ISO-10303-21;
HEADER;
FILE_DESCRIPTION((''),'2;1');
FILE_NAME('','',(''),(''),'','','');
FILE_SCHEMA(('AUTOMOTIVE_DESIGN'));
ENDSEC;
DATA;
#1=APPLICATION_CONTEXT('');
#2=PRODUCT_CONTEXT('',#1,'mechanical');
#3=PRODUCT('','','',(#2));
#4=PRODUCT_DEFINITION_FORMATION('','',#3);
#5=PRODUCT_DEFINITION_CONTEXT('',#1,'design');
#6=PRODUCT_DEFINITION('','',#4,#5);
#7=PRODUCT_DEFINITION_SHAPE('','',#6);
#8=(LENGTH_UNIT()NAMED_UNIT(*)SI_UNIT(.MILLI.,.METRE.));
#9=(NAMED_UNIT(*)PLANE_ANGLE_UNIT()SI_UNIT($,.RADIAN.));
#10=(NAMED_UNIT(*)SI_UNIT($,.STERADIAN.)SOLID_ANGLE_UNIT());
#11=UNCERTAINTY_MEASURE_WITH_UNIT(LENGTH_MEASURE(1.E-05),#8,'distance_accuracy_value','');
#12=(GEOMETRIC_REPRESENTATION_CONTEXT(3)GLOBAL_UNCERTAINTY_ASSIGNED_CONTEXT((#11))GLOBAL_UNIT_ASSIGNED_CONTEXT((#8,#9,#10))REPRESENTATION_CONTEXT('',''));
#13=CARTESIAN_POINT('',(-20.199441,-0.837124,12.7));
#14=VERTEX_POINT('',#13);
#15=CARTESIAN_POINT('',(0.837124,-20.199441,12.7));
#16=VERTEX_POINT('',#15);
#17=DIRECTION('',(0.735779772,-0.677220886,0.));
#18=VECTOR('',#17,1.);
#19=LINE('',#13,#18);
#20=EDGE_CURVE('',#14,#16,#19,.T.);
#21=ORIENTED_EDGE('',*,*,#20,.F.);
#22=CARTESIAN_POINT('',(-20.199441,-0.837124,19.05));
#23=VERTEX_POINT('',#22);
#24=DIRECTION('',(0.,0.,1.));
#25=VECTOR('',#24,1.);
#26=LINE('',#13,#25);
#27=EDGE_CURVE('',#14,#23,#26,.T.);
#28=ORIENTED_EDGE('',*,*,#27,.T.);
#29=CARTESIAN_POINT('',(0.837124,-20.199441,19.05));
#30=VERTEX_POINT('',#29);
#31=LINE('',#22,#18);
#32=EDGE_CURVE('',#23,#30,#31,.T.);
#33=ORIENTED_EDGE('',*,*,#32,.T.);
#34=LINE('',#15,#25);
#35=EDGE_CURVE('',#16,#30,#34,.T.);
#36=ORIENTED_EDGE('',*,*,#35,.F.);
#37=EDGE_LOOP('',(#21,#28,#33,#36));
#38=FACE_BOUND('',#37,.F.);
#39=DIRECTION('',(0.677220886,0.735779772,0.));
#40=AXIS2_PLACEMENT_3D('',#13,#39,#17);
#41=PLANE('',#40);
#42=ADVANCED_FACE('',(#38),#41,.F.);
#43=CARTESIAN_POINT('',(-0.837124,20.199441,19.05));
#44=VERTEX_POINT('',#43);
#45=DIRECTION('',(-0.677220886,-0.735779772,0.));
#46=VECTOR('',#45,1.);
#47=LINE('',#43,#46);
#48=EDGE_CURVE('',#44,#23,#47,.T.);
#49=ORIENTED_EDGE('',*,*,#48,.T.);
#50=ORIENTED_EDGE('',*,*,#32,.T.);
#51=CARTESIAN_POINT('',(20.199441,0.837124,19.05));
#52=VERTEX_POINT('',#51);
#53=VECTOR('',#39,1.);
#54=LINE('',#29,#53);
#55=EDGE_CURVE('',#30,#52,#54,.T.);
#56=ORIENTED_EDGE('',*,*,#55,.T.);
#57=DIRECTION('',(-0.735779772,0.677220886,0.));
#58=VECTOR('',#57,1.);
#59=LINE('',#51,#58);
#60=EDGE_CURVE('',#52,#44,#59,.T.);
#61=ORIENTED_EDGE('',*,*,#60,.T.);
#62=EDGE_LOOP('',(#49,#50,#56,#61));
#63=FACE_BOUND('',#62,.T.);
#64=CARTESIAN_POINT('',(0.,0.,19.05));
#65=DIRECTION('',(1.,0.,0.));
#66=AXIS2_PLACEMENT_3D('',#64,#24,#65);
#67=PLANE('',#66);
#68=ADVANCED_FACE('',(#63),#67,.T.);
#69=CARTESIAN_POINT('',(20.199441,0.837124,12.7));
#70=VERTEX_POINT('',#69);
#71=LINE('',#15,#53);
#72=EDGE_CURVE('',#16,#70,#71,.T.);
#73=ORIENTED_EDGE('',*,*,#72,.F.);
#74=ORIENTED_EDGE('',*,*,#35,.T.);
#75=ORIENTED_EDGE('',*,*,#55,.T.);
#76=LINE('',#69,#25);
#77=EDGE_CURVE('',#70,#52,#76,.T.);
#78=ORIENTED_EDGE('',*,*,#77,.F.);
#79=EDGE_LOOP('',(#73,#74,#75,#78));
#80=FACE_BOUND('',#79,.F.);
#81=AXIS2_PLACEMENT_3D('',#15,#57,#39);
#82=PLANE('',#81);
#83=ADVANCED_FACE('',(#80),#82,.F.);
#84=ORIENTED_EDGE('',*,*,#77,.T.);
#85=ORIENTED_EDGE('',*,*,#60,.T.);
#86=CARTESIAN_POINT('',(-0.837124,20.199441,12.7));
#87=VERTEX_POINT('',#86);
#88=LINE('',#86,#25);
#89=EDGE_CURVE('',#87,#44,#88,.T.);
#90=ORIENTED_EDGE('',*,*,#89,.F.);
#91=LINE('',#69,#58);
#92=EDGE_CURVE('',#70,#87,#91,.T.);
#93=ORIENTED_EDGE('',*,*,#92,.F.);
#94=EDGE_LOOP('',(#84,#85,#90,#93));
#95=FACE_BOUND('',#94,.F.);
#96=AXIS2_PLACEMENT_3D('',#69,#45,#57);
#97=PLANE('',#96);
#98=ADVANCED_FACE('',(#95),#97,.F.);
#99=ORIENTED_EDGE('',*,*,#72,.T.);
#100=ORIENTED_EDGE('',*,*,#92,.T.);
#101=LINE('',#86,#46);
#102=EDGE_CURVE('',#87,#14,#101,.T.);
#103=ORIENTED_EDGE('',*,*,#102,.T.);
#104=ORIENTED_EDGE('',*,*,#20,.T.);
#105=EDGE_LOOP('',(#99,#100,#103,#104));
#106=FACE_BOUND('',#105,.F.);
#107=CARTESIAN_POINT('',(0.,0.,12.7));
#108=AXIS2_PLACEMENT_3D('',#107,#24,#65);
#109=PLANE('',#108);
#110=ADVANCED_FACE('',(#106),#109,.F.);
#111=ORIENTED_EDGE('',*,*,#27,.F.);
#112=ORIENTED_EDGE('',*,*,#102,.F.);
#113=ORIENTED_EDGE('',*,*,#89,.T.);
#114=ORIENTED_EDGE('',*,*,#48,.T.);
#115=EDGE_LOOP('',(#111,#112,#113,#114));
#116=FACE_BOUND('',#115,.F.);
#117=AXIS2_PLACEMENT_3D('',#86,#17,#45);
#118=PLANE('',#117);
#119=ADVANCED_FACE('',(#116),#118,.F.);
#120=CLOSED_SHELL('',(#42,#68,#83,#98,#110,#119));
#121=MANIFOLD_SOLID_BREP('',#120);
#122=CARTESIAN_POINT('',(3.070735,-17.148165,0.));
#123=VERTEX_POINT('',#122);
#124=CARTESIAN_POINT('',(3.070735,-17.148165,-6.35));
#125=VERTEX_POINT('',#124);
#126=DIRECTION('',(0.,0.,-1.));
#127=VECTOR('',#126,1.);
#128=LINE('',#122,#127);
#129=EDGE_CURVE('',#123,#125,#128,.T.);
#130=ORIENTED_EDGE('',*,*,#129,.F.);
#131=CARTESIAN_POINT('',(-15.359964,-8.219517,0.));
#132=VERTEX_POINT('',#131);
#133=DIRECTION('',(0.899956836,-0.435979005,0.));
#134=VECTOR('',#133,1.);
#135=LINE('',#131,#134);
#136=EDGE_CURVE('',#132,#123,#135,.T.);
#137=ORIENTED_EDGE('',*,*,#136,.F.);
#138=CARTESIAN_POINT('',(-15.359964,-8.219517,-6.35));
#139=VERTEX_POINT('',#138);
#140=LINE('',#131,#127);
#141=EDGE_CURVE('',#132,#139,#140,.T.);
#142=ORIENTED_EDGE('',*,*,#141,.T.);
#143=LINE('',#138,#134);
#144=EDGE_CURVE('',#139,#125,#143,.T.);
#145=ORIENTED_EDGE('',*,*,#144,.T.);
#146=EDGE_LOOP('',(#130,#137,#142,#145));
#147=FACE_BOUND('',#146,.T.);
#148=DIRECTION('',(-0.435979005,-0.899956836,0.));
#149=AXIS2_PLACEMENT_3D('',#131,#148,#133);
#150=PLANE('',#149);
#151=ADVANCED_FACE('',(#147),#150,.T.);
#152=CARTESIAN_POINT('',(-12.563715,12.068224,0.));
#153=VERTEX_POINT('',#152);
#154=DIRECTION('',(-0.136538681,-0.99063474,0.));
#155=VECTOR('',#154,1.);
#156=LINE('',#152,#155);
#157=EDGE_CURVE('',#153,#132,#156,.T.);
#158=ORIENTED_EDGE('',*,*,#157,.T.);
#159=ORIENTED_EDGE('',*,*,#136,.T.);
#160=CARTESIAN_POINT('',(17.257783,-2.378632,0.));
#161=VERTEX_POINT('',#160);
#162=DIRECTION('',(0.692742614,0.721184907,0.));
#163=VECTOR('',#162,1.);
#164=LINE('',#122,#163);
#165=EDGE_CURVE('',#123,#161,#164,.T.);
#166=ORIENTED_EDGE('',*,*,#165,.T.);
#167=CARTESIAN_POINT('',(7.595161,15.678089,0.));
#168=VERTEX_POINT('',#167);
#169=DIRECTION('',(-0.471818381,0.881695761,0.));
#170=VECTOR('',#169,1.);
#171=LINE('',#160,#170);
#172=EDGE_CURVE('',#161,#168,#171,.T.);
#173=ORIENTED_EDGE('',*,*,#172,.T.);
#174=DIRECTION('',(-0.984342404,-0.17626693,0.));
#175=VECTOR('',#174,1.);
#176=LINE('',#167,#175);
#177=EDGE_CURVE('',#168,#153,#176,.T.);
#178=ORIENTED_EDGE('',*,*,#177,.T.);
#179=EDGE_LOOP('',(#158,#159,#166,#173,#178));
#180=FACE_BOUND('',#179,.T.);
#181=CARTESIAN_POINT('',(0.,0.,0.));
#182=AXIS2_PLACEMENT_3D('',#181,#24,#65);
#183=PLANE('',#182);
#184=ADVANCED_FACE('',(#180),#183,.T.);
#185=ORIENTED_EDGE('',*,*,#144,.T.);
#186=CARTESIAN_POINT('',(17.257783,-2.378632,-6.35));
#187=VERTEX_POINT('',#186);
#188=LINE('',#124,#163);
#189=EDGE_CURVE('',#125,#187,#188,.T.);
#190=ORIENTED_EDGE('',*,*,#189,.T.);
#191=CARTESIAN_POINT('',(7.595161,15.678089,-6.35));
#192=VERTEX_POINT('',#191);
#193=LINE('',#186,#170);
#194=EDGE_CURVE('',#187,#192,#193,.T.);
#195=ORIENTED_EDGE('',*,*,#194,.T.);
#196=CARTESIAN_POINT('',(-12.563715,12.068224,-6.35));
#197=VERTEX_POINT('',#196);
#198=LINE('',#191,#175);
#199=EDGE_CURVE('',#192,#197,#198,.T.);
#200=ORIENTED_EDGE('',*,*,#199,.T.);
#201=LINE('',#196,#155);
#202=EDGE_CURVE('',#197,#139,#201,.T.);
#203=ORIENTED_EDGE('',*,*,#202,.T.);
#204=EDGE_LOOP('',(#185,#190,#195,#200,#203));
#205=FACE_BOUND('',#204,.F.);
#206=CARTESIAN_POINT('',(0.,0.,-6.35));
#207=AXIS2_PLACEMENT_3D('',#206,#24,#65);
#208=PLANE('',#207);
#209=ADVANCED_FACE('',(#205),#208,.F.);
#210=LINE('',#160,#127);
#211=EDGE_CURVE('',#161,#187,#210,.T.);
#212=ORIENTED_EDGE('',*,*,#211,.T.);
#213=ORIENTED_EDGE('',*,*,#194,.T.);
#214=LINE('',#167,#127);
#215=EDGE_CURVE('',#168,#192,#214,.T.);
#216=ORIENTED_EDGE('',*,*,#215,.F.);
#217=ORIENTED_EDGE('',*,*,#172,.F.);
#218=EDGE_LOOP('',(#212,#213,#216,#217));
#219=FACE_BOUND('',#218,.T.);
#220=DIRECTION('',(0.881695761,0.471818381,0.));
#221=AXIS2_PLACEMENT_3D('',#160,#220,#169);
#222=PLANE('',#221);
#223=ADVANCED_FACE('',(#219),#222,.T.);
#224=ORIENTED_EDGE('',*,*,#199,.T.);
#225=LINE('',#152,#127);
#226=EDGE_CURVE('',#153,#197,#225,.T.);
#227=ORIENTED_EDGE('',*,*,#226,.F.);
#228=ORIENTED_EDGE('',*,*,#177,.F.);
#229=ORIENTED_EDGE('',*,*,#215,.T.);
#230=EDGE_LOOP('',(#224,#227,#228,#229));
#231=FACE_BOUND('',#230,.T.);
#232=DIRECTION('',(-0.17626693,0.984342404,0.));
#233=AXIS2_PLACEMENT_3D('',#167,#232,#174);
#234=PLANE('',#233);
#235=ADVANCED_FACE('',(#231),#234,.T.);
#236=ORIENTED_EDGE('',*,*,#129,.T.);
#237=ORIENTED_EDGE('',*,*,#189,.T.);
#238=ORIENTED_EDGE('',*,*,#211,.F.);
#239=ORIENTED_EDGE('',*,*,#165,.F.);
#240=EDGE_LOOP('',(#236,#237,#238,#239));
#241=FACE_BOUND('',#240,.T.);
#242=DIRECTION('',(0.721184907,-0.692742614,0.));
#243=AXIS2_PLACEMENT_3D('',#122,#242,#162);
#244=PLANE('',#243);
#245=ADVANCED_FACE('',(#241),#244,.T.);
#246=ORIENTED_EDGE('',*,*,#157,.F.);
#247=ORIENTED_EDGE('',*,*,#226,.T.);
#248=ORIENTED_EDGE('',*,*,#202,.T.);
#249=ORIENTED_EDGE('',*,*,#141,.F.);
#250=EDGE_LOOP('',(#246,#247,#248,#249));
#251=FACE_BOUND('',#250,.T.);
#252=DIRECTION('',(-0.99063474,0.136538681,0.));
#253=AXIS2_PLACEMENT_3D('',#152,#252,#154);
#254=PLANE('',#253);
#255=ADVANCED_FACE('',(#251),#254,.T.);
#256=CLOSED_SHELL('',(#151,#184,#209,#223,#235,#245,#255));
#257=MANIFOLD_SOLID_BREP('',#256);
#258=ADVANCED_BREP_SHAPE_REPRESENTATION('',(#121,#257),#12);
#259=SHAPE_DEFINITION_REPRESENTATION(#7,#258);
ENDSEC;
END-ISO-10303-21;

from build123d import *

# Parameters (mm, degrees)
F2_DEPTH = 6.35
F4_DEPTH = 6.35


with BuildPart() as f2:
    # F1 (on Top) → F2 (new body)
    with BuildSketch(Plane.XY):
        Polygon((17.257783, -2.378632), (7.595161, 15.678089), (-12.563715, 12.068224), (-15.359964, -8.219517), (3.070735, -17.148165), align=None)
    extrude(amount=-F2_DEPTH)


with BuildPart() as f4:
    # F3 (on offset) → F4 (new body)
    with BuildSketch(Plane.XY.offset(12.7)):
        Polygon((20.199441, 0.837124), (-0.837124, 20.199441), (-20.199441, -0.837124), (0.837124, -20.199441), align=None)
    extrude(amount=F4_DEPTH)


solid = Compound([f2.part, f4.part])
